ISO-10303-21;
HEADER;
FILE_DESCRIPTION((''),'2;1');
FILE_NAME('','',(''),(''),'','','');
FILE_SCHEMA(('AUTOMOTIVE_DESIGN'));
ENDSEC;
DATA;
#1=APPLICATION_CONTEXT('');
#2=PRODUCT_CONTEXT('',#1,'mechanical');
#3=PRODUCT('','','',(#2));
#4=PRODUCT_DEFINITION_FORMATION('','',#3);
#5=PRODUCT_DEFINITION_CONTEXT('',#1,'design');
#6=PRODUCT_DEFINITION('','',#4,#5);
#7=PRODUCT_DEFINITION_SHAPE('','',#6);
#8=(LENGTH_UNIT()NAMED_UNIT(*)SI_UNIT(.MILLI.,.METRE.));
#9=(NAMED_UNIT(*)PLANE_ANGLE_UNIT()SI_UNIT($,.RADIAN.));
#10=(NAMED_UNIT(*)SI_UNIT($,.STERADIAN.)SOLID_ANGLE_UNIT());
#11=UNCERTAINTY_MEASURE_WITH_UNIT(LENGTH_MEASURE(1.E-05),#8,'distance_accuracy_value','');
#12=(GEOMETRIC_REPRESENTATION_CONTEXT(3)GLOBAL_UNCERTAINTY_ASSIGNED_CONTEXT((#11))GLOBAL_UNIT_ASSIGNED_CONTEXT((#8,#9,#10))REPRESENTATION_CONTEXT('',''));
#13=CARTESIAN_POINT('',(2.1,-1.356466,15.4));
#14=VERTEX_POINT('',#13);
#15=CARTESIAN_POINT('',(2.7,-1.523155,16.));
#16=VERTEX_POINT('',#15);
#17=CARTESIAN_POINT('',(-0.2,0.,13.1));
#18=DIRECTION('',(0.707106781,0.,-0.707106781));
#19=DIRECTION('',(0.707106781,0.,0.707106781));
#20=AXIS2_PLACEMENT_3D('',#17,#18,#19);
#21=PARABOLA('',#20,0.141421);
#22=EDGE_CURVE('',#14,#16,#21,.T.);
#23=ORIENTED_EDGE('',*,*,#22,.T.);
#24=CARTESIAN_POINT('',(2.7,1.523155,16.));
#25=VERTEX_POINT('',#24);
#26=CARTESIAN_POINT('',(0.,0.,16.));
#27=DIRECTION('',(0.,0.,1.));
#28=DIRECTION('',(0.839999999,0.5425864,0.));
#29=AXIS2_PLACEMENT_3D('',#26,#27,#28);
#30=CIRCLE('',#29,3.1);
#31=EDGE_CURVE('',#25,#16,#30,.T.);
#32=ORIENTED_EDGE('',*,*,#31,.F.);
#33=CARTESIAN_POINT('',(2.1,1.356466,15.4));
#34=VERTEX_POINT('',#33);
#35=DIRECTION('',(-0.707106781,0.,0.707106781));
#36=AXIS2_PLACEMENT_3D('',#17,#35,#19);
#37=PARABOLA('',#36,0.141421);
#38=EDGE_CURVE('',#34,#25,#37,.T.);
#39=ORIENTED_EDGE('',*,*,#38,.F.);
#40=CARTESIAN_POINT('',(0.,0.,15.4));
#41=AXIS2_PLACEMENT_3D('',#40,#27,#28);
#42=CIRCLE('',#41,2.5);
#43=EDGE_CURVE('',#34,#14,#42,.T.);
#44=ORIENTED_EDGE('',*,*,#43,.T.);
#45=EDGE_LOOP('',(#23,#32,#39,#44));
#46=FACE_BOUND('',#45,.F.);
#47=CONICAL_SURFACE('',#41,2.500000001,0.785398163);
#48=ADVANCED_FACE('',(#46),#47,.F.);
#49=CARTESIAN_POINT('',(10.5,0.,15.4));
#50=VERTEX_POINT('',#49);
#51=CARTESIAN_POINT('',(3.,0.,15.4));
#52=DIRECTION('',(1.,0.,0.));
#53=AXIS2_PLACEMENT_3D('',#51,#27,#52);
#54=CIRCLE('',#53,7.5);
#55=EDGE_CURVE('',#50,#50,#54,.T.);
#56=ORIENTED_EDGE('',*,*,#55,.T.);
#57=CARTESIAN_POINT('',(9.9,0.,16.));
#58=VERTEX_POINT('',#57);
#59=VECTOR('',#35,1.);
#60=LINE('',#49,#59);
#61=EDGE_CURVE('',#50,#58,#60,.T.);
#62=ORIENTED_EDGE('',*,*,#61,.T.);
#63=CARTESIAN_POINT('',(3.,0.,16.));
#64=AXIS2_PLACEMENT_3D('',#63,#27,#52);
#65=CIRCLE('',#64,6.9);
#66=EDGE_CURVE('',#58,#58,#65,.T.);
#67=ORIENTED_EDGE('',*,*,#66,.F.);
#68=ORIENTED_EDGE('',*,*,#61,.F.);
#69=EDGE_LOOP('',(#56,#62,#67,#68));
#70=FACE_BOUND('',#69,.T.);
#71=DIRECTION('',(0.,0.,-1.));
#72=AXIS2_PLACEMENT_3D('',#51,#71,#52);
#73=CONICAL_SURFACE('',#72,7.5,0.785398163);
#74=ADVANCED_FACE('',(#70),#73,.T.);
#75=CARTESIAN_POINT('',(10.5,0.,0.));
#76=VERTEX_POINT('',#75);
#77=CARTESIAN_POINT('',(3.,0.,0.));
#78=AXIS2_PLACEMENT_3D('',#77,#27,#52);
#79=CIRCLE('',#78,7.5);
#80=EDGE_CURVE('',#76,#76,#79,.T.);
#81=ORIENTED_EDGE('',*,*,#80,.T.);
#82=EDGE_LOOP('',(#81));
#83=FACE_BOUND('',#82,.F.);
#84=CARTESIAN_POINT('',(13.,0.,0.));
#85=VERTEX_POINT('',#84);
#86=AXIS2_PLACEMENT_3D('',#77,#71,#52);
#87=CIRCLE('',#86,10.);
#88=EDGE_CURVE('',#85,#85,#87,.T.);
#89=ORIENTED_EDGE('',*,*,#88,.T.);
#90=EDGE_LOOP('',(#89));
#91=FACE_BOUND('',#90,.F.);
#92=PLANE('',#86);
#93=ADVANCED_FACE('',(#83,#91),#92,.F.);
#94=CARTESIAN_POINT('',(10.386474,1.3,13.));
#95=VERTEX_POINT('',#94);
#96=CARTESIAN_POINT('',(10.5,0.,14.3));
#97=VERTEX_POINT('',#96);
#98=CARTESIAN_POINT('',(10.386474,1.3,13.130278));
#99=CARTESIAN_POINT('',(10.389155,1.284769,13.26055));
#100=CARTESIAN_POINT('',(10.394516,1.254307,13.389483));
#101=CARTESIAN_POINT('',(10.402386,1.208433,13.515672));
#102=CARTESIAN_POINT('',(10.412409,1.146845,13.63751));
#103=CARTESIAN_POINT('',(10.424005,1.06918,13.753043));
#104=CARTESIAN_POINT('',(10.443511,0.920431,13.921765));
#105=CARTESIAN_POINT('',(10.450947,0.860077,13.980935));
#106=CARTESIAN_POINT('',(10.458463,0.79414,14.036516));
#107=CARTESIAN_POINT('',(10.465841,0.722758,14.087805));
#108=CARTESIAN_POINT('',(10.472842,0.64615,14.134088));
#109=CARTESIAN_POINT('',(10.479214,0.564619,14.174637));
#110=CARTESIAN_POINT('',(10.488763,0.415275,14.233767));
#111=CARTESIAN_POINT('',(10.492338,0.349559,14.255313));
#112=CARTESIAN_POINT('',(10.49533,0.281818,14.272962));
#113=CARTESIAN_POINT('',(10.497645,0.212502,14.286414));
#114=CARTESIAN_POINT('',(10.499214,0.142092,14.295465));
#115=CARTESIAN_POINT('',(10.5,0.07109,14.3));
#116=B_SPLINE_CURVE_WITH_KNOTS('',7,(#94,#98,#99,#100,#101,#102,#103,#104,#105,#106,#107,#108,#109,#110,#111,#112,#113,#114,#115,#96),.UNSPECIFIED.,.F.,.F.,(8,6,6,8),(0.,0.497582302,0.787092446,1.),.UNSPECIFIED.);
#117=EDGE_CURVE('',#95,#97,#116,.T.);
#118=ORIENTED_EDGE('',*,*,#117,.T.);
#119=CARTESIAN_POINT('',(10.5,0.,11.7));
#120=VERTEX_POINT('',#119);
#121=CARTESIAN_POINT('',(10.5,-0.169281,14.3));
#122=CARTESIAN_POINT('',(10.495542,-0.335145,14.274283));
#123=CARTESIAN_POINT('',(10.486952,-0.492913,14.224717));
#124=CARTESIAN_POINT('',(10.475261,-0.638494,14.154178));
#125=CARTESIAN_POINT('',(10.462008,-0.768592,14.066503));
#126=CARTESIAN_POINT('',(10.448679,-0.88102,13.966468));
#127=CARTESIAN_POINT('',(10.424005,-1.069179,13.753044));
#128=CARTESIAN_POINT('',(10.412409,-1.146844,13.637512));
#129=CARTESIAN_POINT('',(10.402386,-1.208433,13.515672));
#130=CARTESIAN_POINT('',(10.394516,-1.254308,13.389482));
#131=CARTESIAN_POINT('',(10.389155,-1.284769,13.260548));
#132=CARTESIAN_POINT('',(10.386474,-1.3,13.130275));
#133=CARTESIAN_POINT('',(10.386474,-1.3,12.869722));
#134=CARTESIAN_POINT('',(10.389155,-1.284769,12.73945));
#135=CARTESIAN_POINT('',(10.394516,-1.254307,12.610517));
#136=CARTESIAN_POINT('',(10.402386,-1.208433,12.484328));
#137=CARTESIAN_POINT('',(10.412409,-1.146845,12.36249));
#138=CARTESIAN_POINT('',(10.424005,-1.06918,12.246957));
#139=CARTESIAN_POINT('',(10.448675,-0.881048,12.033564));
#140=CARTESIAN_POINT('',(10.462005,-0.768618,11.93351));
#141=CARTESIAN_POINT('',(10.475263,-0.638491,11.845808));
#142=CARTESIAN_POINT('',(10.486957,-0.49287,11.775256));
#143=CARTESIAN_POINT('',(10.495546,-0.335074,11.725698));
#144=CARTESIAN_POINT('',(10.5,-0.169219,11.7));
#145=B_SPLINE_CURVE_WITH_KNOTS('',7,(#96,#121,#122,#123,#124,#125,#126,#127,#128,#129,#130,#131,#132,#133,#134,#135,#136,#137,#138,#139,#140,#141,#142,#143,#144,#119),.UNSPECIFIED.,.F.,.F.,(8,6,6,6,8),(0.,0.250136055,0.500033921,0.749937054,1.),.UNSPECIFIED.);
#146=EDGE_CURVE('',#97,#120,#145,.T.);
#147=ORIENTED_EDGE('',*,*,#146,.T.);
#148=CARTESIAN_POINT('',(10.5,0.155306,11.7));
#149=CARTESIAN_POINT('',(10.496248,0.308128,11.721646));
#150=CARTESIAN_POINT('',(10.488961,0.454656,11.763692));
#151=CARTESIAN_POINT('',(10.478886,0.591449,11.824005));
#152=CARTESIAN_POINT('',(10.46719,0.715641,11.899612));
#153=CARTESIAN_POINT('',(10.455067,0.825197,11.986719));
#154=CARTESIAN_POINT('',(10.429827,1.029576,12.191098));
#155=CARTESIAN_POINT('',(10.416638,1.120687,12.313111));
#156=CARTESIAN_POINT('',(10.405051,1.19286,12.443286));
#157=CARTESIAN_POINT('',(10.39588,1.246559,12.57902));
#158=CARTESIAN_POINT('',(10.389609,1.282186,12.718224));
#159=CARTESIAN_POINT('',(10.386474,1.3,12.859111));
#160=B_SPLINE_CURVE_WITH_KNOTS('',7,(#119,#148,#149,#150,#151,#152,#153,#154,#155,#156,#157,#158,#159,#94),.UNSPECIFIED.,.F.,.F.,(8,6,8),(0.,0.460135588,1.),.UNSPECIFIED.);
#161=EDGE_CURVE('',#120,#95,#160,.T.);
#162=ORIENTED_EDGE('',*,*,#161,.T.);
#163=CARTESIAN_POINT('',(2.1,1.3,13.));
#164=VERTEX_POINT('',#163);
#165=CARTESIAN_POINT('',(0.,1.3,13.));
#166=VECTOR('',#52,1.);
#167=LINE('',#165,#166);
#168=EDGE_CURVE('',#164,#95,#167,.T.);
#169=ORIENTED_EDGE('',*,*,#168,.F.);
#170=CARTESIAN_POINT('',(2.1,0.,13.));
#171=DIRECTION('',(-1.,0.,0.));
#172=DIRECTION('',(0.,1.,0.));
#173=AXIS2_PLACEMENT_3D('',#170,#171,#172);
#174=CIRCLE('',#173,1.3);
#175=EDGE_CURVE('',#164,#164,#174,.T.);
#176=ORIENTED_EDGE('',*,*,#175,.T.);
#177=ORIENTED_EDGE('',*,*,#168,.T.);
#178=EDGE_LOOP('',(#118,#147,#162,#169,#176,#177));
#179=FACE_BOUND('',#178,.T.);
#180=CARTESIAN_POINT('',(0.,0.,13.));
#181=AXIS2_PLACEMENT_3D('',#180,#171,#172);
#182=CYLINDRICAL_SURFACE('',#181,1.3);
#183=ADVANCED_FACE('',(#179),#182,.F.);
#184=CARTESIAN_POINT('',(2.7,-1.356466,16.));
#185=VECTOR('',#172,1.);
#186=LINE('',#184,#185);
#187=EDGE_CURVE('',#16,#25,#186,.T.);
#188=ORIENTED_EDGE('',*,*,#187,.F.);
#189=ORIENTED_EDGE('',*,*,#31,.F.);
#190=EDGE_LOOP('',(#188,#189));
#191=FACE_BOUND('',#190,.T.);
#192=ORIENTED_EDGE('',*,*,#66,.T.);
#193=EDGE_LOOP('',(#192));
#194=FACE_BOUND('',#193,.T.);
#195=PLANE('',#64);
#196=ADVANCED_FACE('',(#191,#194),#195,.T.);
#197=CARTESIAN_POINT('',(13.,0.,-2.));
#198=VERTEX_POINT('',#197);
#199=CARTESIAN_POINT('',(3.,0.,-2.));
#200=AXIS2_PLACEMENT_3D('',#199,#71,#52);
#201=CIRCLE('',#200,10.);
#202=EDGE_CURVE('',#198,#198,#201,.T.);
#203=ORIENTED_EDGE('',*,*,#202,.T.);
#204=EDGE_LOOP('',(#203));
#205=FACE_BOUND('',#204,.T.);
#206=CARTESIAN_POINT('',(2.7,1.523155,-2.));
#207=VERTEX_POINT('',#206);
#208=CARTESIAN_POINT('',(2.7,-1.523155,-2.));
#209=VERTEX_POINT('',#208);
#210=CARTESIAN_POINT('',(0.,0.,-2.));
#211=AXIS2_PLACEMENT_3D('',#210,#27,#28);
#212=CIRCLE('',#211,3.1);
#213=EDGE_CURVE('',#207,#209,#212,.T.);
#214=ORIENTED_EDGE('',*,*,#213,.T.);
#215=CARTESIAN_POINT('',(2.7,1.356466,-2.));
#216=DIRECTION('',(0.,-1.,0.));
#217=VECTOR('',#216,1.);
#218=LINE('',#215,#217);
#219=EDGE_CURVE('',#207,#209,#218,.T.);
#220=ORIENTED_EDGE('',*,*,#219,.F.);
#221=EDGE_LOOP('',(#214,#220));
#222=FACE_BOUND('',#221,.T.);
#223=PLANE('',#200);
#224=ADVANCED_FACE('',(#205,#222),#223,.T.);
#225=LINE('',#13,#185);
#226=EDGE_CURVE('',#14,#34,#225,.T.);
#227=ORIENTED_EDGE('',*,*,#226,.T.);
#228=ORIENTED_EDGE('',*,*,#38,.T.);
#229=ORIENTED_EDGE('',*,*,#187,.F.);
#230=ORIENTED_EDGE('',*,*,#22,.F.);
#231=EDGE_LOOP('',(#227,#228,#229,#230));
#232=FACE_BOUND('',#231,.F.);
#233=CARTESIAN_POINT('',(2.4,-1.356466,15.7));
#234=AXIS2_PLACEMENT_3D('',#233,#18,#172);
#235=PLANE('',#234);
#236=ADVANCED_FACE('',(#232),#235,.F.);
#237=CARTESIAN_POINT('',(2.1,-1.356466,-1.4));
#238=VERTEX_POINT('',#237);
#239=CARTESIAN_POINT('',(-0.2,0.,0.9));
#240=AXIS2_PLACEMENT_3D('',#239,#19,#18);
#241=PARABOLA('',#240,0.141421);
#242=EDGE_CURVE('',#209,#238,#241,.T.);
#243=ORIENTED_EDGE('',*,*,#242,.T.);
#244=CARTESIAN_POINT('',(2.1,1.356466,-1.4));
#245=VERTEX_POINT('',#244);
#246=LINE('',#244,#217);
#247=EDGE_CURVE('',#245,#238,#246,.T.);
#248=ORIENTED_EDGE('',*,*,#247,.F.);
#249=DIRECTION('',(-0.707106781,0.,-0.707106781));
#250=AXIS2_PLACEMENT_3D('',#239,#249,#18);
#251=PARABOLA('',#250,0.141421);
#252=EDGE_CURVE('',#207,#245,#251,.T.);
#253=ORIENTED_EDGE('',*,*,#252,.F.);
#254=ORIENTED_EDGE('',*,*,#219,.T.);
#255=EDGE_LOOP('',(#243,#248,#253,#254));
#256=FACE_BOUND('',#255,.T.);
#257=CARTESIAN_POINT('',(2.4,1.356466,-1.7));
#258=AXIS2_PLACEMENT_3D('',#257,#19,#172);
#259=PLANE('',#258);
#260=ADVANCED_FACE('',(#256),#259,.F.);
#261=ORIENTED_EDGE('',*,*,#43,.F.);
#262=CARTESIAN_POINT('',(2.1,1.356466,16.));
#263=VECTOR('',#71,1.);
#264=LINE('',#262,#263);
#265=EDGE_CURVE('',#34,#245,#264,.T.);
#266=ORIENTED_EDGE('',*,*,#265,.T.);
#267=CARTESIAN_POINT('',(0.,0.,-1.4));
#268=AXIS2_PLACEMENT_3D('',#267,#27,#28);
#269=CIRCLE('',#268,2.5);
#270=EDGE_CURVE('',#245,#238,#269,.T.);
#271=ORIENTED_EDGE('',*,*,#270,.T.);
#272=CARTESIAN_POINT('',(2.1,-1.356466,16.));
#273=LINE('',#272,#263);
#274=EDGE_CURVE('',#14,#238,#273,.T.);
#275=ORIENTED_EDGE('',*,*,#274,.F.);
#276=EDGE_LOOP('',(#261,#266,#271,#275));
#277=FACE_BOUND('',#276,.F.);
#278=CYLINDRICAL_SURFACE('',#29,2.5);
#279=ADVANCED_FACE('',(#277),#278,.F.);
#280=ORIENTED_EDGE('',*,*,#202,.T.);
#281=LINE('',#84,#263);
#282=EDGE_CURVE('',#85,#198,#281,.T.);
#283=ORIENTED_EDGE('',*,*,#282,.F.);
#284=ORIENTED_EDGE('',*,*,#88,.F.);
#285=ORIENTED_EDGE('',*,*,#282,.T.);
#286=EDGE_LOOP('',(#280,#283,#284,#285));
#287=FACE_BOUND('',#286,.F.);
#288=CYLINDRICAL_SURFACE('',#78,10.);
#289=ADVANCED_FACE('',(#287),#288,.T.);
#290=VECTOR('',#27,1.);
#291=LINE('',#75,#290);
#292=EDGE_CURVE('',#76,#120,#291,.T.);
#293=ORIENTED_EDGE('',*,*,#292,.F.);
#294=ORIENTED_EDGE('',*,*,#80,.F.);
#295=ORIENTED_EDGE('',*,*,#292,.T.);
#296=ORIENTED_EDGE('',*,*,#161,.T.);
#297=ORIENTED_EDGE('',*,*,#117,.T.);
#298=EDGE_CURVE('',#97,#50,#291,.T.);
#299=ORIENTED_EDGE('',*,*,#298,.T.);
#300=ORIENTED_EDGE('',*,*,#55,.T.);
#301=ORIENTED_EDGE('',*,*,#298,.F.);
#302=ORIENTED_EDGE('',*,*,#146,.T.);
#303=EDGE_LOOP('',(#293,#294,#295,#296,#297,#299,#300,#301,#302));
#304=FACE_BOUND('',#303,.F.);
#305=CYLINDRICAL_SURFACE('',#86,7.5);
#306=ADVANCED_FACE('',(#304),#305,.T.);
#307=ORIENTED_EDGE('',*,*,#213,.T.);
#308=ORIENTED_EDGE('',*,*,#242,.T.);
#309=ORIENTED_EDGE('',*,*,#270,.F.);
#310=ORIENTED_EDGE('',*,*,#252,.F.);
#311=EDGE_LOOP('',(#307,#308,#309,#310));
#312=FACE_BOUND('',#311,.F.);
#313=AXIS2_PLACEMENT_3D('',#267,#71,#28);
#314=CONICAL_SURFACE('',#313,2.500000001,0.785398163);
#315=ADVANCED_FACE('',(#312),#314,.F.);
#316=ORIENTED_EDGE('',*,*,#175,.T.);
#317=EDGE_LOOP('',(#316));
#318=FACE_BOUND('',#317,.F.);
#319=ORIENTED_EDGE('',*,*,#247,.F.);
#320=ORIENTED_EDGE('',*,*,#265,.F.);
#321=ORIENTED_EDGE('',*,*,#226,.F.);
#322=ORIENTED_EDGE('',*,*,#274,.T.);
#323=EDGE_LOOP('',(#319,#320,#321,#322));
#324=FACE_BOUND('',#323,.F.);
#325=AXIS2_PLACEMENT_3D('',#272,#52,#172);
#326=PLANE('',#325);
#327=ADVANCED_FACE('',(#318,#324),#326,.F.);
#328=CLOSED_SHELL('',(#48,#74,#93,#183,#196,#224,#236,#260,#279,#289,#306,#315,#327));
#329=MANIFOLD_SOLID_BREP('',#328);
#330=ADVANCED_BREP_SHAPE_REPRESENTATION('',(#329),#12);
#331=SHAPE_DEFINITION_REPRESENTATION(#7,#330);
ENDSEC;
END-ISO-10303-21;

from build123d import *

# Parameters (mm, degrees)
SKETCH_R        = 7.5
PAD_DEPTH       = 16
SKETCH001_R     = 10
PAD001_DEPTH    = 2
SKETCH002_R     = 1.3
POCKET_DEPTH    = 13.001
POCKET001_DEPTH = 18.001
CHAMFER_SIZE    = 0.6


with BuildPart() as part:
    # Sketch → Pad (new body)
    with BuildSketch(Plane.XY):
        with Locations((3, 0)):
            Circle(SKETCH_R)
    extrude(amount=PAD_DEPTH)

    # Sketch001 (on Face2 of Pad) → Pad001 (join)
    with BuildSketch(Plane(origin=(0, 0, 0), x_dir=(1, 0, 0), z_dir=(0, 0, -1))):
        with Locations((3, 0)):
            Circle(SKETCH001_R)
    extrude(amount=PAD001_DEPTH)

    # Sketch002 → Pocket (cut, through all)
    with BuildSketch(Plane.YZ):
        with Locations((0, 13)):
            Circle(SKETCH002_R)
    extrude(amount=POCKET_DEPTH, mode=Mode.SUBTRACT)

    # Sketch003 (on Face6 of Pocket) → Pocket001 (cut, through all)
    with BuildSketch(Plane.XY.offset(16)):
        with BuildLine():
            ThreePointArc((2.1, 1.356466), (-2.5, 0), (2.1, -1.356466))
            Line((2.1, -1.356466), (2.1, 1.356466))
        make_face()
    extrude(amount=-POCKET001_DEPTH, mode=Mode.SUBTRACT)

    # Chamfer
    chamfer_edges = [part.edges().sort_by_distance(p)[0] for p in [
        (-4.5, 0, 16),
        (2.1, 0, 16),
        (-2.5, 0, 16),
        (-2.5, 0, -2),
        (2.1, 0, -2),
    ]]
    chamfer(chamfer_edges, length=CHAMFER_SIZE)


solid = part.part
